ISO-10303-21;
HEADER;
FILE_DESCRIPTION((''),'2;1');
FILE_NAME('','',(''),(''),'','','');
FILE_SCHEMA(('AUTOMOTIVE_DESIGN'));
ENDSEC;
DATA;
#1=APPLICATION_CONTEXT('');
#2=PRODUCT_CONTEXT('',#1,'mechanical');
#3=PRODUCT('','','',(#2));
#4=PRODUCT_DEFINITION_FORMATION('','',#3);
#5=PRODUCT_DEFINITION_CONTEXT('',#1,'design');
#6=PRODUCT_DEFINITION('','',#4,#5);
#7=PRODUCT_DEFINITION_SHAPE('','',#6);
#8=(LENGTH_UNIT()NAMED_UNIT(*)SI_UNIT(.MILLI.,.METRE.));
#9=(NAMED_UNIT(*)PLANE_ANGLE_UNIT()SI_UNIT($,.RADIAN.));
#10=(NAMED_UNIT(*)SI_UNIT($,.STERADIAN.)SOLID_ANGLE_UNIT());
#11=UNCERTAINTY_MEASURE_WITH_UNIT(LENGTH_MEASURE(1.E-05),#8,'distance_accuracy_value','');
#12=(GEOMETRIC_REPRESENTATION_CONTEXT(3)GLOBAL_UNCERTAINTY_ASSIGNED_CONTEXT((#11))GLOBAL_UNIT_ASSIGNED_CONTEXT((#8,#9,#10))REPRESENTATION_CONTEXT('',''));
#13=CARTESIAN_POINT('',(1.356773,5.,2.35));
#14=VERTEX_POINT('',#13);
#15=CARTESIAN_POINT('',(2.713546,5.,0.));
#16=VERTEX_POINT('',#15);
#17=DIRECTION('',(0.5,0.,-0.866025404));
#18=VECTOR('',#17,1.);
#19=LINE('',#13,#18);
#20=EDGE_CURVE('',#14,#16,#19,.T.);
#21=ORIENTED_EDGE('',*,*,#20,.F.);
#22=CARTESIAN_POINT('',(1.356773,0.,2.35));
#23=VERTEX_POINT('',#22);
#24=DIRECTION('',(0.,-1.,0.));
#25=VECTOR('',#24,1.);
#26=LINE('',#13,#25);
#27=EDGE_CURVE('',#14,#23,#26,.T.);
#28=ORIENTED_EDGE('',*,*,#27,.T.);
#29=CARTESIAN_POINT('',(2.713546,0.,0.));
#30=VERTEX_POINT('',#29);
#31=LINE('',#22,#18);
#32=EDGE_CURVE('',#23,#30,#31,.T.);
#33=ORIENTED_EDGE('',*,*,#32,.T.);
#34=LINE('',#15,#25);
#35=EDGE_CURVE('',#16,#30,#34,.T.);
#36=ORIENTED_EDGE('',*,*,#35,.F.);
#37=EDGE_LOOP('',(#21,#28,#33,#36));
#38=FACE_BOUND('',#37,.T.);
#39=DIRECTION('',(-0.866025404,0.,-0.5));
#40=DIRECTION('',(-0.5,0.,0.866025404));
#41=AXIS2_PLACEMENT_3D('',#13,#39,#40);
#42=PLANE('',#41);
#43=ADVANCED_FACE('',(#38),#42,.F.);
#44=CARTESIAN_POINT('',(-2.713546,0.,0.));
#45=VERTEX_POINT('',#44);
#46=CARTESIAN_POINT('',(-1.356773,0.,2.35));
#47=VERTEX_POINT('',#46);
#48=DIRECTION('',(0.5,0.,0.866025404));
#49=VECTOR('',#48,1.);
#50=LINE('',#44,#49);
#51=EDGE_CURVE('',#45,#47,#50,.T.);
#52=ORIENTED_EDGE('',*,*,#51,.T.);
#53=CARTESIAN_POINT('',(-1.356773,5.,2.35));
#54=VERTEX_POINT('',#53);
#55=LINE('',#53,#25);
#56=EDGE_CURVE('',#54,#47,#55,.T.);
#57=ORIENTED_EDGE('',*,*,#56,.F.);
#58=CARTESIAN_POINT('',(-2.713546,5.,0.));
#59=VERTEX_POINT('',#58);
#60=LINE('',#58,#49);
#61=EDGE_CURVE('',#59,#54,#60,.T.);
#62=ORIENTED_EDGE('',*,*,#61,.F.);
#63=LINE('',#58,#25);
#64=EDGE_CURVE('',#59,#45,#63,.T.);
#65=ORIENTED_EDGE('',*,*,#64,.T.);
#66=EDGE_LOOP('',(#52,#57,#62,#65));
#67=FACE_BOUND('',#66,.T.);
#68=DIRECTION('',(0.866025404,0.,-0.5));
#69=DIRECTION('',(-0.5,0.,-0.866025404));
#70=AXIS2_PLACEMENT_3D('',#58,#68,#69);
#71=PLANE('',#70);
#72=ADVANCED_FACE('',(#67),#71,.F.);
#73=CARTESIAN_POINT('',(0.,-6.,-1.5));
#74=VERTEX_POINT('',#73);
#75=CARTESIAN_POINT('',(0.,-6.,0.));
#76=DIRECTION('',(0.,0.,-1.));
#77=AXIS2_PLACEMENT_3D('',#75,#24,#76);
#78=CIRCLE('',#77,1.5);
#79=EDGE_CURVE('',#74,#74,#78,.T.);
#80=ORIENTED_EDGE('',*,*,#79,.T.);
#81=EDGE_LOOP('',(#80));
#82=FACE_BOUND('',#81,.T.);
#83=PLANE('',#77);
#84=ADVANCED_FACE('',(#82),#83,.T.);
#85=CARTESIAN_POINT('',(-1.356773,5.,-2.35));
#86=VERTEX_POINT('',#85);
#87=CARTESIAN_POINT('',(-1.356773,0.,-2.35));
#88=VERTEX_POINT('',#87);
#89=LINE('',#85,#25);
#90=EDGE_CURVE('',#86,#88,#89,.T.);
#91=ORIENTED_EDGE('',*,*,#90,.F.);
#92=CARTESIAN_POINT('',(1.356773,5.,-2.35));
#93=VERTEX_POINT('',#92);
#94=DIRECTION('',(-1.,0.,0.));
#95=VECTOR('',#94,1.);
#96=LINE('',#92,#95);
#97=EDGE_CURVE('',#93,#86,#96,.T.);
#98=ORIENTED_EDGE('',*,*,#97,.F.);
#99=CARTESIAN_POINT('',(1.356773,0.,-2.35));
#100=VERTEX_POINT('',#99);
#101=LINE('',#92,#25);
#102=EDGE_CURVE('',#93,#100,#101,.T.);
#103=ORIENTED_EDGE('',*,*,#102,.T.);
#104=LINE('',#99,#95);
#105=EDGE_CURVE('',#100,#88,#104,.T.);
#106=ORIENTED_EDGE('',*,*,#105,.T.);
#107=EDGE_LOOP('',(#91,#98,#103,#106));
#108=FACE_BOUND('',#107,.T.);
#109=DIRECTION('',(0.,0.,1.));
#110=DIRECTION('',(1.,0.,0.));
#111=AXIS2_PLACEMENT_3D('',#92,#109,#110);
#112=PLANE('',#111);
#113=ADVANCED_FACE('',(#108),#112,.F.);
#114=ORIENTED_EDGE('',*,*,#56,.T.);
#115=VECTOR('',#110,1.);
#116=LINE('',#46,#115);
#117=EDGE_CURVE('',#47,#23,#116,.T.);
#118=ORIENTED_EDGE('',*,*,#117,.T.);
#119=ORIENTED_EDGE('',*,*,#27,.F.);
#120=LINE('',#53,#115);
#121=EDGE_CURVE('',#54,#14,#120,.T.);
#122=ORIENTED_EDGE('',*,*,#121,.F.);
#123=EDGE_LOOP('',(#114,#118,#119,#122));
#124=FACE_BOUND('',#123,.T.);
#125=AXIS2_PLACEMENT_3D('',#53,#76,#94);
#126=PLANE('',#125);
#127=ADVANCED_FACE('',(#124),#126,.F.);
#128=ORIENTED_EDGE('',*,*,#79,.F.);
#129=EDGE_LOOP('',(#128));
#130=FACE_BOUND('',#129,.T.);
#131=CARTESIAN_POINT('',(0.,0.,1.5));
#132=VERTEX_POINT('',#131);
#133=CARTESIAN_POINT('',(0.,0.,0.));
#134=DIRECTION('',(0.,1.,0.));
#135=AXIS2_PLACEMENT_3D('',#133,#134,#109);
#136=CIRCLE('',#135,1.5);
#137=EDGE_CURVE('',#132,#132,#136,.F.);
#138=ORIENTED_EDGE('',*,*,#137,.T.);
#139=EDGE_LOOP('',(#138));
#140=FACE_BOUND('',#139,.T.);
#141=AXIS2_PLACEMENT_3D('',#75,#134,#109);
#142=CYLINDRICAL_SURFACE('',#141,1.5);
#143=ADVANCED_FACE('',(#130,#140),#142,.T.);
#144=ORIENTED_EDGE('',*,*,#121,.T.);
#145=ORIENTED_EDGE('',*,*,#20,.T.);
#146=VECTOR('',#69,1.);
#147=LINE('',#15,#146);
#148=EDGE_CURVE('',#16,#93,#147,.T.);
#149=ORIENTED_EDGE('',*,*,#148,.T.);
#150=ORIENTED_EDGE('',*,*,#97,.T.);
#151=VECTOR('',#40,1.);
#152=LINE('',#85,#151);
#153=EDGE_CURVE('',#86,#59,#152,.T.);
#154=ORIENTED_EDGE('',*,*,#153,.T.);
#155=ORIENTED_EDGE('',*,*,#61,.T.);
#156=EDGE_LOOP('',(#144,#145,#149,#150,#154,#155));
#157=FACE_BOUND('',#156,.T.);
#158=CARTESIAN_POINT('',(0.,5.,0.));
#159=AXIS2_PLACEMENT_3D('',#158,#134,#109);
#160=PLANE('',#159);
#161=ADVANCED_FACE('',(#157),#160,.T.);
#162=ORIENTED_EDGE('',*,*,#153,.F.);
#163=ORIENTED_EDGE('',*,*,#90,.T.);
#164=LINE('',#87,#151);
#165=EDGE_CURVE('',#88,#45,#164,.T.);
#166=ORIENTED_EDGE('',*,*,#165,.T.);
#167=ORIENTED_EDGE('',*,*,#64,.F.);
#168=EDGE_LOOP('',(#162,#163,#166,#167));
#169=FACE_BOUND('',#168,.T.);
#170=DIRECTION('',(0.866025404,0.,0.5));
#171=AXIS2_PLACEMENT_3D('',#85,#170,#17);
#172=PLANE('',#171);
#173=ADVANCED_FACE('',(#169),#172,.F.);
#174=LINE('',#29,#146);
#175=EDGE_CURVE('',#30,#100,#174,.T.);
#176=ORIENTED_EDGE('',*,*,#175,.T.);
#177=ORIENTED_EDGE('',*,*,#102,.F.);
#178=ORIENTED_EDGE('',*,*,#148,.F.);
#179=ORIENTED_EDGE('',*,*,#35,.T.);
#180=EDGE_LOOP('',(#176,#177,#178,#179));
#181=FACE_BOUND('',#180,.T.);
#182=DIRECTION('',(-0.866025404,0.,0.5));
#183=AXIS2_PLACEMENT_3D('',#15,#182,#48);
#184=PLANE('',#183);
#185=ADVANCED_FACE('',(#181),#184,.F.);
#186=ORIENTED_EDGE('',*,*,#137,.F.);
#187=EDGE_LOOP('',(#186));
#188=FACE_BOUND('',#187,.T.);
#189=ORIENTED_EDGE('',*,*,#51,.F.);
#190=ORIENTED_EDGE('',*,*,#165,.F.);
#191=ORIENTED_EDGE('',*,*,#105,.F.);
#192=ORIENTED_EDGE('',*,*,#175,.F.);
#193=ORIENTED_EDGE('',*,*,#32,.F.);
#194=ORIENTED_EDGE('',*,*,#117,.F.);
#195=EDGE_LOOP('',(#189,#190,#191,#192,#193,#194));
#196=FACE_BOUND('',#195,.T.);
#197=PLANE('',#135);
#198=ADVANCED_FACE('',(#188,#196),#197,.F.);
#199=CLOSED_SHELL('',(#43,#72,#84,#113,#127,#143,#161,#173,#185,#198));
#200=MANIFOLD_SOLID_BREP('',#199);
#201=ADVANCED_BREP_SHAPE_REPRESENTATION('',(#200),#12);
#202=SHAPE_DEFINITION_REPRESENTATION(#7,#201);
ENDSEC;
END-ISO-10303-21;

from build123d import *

# Parameters (mm, degrees)
EXTRUDE_1_DEPTH = 5
SKETCH_2_R      = 1.5
EXTRUDE_2_DEPTH = 6


with BuildPart() as part:
    # 草图1 → 凸台-拉伸1 (new body)
    with BuildSketch(Plane(origin=(0, 0, 0), x_dir=(1, 0, 0), z_dir=(0, 1, 0))):
        Polygon((-1.356773133, 2.35), (-2.713546265, 0), (-1.356773133, -2.35), (1.356773133, -2.35), (2.713546265, 0), (1.356773133, 2.35), align=None)
    extrude(amount=EXTRUDE_1_DEPTH)

    # 草图2 → 凸台-拉伸2 (add)
    with BuildSketch(Plane.XZ):
        with Locations(Location((0, 0, 0), (0, 0, 90))):
            Circle(SKETCH_2_R)
    extrude(amount=EXTRUDE_2_DEPTH)


solid = part.part
